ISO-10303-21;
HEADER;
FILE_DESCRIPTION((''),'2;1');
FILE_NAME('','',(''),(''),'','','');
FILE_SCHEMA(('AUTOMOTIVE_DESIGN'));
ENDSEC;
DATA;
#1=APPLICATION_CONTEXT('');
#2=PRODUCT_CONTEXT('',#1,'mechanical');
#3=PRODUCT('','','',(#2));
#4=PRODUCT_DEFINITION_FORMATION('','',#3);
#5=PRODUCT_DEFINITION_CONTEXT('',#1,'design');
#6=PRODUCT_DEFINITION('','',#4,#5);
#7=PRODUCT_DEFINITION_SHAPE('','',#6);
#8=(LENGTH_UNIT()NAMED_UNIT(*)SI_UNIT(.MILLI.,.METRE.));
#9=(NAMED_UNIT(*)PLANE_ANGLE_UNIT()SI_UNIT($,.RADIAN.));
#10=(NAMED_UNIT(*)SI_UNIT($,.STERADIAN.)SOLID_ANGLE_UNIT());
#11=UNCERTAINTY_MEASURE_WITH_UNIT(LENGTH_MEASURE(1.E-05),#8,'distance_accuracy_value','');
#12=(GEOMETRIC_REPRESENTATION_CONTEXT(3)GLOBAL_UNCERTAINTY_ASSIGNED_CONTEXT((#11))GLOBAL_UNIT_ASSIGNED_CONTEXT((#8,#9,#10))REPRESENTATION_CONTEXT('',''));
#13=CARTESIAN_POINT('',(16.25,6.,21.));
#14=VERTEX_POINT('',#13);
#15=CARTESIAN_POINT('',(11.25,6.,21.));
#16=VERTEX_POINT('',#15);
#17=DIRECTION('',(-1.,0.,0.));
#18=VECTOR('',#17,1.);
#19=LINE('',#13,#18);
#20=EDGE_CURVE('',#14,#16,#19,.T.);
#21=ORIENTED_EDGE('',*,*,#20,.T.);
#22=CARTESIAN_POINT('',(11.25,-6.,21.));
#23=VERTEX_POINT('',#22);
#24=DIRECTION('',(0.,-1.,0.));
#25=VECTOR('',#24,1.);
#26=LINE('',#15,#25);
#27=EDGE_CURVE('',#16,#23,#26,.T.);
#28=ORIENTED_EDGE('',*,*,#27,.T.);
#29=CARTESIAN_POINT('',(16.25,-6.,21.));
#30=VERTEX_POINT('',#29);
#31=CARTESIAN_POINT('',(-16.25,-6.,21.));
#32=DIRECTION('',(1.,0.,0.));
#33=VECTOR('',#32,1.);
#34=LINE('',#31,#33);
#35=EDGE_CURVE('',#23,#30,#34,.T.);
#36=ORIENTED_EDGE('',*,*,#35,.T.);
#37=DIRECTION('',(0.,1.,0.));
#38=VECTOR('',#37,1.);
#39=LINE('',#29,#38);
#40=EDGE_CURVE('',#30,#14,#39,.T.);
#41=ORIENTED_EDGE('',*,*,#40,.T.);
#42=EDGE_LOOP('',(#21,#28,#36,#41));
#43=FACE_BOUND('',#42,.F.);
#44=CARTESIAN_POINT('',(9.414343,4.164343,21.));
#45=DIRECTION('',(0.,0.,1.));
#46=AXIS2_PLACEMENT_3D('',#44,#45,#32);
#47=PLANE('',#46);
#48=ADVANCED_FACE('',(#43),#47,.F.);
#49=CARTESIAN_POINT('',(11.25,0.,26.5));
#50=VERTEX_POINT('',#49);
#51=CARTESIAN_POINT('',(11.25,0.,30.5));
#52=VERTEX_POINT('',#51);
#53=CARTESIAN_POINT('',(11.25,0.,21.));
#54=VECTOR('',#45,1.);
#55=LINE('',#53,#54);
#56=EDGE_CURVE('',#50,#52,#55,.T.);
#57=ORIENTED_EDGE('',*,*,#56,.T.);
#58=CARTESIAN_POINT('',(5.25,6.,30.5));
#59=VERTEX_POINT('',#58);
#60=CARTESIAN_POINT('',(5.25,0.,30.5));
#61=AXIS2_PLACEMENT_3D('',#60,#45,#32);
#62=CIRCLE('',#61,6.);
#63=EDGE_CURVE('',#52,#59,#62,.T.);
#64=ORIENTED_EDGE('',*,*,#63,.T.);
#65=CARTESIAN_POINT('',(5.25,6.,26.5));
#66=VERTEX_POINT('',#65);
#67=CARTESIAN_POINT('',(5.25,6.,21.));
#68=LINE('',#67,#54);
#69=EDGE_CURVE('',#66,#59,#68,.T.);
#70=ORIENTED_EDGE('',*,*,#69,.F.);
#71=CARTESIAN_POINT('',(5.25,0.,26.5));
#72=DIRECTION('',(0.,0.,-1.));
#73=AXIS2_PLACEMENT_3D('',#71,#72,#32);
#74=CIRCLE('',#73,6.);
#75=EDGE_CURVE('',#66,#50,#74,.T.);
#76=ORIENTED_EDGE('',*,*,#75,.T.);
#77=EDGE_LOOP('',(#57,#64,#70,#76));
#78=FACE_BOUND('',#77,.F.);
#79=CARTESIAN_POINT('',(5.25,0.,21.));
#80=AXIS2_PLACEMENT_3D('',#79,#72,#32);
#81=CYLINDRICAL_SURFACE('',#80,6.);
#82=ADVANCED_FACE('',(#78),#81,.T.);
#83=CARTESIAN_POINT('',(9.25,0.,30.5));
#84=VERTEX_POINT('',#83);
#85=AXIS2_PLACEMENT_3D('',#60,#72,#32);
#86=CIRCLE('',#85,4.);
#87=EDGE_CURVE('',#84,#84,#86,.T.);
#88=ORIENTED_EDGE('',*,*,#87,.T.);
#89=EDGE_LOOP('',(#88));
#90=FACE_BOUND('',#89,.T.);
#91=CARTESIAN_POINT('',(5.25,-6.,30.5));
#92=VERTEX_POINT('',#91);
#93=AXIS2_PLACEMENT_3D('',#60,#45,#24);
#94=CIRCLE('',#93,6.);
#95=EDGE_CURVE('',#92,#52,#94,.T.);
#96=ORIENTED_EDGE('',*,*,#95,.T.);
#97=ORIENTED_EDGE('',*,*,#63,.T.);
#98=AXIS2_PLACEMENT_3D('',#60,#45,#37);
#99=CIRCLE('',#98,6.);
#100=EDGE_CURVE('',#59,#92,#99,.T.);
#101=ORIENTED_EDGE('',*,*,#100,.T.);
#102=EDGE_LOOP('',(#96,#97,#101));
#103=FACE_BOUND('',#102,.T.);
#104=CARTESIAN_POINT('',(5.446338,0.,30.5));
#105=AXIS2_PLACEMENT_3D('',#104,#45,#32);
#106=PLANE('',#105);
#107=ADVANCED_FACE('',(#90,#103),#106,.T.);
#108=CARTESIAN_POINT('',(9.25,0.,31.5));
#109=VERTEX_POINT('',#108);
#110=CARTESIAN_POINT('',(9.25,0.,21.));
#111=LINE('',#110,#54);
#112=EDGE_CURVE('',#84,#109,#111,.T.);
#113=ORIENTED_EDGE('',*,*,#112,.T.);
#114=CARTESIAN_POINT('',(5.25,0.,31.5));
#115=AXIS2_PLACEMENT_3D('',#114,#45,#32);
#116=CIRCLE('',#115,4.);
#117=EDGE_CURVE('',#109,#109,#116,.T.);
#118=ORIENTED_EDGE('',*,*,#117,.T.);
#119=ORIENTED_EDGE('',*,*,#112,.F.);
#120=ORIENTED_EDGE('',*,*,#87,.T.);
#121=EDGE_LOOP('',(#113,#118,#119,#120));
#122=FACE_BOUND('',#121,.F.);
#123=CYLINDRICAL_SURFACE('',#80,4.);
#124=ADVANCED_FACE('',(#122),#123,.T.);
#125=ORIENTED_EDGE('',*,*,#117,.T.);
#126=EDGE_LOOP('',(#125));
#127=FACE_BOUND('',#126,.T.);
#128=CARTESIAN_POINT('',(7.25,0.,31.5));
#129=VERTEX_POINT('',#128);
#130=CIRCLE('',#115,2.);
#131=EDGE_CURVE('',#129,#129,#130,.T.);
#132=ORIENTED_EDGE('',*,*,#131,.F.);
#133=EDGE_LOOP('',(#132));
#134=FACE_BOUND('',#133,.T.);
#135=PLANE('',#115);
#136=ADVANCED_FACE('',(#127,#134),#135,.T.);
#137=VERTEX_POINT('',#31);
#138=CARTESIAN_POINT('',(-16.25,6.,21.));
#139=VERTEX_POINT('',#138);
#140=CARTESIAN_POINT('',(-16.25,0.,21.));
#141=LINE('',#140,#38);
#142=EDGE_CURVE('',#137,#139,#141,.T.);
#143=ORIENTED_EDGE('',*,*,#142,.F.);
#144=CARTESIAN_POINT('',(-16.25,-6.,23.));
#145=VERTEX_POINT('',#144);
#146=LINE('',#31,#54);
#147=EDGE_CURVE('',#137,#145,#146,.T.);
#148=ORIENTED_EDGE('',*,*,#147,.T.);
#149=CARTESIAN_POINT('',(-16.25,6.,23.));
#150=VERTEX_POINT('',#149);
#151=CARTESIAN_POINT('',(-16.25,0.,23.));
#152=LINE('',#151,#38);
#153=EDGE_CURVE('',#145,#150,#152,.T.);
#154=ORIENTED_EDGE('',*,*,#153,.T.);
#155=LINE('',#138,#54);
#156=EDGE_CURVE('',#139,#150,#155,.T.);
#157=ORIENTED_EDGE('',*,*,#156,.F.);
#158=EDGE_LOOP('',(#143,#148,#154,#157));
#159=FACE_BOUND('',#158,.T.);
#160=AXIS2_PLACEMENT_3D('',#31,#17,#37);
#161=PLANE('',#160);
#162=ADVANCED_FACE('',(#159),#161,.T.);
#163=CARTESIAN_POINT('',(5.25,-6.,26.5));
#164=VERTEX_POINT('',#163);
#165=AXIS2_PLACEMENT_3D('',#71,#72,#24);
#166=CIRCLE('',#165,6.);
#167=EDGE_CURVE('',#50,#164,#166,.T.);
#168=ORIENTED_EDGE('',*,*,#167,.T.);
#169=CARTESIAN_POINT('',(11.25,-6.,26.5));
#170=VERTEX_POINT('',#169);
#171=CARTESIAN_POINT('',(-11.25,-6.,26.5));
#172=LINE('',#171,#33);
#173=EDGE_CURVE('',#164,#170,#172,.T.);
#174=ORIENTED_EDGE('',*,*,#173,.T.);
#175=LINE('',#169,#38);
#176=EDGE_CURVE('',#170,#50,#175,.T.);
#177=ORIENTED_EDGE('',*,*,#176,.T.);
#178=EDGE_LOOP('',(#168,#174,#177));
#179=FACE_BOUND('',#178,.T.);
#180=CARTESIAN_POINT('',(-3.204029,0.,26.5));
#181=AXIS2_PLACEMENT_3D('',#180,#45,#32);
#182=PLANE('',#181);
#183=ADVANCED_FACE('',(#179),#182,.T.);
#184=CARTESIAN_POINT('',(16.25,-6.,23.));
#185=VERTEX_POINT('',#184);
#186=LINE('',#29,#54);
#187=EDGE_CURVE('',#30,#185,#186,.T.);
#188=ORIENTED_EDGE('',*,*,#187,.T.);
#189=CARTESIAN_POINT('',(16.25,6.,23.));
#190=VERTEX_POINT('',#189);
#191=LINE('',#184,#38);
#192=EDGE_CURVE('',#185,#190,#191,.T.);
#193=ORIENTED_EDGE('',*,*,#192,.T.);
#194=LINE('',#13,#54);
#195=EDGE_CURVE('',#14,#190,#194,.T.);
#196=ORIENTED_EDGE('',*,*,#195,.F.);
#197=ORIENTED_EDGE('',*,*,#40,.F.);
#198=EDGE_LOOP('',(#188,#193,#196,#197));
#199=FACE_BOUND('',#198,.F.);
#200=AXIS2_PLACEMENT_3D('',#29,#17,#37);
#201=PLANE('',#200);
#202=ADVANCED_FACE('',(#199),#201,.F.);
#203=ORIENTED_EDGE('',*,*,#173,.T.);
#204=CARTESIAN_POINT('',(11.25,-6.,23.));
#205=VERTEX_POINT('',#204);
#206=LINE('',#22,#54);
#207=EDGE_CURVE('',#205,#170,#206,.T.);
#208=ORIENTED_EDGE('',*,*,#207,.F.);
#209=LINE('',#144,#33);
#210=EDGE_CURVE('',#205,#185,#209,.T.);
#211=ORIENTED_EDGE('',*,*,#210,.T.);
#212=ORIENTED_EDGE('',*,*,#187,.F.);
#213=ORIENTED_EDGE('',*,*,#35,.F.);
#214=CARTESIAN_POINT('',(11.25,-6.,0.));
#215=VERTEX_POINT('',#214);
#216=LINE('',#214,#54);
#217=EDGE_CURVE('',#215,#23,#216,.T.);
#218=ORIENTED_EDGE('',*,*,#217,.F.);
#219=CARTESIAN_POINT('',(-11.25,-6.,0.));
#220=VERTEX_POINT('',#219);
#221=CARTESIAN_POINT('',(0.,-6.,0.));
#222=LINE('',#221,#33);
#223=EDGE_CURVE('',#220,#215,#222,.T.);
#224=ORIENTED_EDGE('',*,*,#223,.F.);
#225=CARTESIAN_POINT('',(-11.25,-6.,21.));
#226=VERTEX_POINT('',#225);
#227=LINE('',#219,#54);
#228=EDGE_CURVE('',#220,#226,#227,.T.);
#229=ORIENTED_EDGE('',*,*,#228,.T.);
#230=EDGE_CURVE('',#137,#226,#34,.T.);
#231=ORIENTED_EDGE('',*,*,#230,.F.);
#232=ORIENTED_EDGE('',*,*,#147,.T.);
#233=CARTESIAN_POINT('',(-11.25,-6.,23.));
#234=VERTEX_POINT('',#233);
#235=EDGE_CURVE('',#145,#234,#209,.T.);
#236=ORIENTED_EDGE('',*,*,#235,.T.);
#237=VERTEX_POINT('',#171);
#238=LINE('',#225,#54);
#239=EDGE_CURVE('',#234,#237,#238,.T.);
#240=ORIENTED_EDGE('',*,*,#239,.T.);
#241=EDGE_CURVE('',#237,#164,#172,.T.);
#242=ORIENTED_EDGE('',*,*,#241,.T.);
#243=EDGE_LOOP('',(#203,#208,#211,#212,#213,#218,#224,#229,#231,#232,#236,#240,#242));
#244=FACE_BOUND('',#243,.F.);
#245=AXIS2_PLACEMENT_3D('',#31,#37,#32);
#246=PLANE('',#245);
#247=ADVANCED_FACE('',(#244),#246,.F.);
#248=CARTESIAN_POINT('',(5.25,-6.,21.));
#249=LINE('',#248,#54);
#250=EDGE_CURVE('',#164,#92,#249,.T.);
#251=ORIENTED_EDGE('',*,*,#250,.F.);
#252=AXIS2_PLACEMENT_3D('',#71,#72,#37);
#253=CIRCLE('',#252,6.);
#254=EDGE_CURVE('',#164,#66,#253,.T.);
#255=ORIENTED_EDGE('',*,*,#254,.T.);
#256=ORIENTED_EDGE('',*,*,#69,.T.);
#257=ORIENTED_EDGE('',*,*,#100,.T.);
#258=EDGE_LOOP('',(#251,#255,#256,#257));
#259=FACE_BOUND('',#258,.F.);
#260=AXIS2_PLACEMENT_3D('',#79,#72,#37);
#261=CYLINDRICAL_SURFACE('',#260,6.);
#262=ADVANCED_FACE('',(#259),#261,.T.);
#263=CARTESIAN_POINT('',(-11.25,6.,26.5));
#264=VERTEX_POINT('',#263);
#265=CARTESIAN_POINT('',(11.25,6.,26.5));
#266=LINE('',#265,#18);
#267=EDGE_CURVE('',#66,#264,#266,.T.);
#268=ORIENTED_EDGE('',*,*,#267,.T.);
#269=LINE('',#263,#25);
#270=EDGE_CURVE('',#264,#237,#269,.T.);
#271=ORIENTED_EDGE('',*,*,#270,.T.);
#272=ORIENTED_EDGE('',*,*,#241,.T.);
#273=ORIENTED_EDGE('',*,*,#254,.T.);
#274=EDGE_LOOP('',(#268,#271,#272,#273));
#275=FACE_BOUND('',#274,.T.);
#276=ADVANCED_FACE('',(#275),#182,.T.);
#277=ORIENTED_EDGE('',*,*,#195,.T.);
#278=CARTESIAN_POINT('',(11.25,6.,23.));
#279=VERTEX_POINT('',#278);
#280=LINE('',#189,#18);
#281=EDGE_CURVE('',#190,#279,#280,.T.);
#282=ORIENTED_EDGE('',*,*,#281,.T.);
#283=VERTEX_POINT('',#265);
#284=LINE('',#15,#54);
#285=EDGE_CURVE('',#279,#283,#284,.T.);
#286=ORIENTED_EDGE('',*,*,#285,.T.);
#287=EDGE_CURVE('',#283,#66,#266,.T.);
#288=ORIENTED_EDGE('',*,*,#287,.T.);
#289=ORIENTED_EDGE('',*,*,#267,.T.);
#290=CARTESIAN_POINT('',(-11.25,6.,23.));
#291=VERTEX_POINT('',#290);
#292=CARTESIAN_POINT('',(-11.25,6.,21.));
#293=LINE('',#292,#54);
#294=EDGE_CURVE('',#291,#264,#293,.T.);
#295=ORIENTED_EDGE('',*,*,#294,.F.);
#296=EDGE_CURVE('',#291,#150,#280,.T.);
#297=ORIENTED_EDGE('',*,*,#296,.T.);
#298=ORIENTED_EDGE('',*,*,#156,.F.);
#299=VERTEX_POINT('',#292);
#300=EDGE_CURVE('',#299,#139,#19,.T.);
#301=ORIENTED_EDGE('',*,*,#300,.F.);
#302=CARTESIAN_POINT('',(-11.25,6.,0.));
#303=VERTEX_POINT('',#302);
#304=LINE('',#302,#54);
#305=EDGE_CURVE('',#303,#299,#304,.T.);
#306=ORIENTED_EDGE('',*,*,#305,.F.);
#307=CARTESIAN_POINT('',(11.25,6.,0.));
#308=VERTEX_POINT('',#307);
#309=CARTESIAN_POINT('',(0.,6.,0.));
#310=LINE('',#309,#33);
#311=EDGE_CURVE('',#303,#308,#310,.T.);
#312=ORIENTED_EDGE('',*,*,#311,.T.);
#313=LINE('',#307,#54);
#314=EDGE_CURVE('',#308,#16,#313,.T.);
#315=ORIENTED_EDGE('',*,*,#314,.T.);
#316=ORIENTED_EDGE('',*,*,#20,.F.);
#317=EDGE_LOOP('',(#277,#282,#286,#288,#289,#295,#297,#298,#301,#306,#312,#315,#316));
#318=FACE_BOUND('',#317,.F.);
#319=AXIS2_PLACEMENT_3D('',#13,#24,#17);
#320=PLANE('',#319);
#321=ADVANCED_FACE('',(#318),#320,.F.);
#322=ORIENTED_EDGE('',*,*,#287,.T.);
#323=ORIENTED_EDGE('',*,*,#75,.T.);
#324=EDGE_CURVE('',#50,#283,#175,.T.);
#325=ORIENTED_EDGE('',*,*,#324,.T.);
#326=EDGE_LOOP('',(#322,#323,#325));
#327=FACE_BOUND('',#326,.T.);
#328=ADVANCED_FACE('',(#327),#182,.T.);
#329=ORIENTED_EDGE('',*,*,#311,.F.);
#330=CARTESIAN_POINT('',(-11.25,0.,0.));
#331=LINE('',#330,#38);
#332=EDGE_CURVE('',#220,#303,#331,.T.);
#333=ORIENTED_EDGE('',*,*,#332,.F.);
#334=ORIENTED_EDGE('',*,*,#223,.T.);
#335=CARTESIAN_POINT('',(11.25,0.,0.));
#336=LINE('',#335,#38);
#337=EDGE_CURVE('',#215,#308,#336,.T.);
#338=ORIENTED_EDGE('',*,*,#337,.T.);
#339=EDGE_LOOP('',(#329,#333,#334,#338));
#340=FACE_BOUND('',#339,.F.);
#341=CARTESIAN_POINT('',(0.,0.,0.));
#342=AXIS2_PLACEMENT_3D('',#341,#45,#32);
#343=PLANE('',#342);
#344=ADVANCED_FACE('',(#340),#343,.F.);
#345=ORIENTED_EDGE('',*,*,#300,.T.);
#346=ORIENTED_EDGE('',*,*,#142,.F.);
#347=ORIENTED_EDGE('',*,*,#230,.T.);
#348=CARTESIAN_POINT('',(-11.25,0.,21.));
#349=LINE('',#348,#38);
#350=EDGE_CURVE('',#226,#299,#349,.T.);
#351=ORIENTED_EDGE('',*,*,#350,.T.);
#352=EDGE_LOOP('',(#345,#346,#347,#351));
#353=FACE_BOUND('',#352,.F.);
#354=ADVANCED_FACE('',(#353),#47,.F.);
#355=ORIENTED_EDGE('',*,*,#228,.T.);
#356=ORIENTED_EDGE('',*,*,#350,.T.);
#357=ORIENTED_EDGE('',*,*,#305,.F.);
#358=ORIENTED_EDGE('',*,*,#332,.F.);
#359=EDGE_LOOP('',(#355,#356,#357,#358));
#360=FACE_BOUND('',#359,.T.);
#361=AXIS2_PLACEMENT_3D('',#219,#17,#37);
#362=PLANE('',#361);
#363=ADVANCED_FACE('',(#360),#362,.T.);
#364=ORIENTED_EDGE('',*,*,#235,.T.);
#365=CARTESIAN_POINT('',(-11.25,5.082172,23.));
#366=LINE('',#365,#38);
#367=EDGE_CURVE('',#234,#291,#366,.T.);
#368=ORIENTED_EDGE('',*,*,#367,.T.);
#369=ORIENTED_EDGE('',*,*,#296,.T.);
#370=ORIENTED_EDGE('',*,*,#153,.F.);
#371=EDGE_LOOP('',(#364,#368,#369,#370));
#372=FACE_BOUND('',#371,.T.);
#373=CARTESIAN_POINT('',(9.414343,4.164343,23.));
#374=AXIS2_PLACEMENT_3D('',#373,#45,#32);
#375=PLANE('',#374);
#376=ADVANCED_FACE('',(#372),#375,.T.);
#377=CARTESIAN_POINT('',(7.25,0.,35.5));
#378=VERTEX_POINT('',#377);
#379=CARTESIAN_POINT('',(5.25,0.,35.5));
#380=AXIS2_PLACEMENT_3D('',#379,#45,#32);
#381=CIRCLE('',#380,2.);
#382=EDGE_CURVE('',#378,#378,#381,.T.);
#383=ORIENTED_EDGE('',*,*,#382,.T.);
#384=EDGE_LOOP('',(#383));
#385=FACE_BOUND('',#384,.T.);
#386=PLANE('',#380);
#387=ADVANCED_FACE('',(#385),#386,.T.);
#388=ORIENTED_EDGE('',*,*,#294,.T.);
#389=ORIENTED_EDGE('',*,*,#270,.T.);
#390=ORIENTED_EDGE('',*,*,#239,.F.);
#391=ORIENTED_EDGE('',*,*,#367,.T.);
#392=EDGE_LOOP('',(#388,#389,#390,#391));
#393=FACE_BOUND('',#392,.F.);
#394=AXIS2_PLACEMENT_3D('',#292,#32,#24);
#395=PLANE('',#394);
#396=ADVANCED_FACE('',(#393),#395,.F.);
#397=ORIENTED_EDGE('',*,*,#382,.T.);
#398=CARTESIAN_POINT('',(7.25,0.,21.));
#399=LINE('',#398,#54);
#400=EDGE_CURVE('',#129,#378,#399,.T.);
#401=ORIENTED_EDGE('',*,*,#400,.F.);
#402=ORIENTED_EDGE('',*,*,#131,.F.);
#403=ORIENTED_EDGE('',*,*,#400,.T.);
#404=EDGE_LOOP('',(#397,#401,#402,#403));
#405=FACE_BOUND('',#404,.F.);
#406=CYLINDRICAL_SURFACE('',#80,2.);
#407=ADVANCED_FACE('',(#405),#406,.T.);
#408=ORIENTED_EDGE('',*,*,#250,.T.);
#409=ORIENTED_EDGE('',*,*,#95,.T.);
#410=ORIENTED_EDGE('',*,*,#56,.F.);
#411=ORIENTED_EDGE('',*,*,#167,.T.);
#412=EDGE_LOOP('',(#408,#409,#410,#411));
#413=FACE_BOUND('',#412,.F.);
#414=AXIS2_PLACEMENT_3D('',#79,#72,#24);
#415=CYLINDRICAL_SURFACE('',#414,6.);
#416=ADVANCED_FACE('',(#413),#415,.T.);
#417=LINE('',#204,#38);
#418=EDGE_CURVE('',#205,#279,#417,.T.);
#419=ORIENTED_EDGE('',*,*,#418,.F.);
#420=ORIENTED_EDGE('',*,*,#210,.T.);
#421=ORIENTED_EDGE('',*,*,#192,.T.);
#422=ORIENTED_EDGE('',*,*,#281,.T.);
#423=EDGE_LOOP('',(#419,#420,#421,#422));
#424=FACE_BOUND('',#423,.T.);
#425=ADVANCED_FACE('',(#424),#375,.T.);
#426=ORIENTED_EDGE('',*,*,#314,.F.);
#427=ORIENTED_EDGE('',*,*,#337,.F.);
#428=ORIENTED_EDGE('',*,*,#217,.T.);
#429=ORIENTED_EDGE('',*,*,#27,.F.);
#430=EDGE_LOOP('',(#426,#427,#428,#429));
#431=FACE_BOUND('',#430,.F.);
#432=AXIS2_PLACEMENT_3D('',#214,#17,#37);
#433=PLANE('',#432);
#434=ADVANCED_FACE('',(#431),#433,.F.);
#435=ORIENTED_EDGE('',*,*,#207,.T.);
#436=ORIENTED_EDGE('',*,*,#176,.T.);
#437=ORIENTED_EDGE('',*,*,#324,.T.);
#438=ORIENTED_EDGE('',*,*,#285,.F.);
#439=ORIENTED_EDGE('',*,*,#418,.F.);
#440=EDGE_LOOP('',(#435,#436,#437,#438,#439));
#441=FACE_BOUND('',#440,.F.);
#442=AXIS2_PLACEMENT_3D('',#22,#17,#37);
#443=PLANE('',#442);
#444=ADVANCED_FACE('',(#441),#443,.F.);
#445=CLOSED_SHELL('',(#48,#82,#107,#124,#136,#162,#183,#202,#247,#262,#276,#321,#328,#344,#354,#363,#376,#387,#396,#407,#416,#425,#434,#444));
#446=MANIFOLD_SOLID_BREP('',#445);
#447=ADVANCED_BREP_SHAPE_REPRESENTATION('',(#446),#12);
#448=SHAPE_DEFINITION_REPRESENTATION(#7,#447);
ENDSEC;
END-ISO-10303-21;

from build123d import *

# Parameters (mm, degrees)
F0_W     = 22.5
F0_H     = 12
F1_DEPTH = 21
F2_W     = 5
F2_H     = 12
F2_R     = 4
F2_R_2   = 2
F3_DEPTH = 2
F4_DEPTH = 5.5
F5_DEPTH = 9.5
F6_DEPTH = 10.5
F7_DEPTH = 14.5


with BuildPart() as f1:
    # F0 (on Top) → F1 (new body)
    with BuildSketch(Plane.XY):
        Rectangle(F0_W, F0_H)
    extrude(amount=F1_DEPTH)

    # F2 (on face) → F3 (join)
    with BuildSketch(Plane.XY.offset(21)):
        with BuildLine():
            Line((11.25, 6), (5.25, 6))
            ThreePointArc((5.25, 6), (9.4926406871, 4.2426406871), (11.25, 0))
            Line((11.25, 0), (11.25, 6))
        make_face()
        with Locations((-13.75, 0)):
            Rectangle(F2_W, F2_H)
        Polygon((16.25, 6), (11.25, 6), (11.25, 0), (11.25, -6), (16.25, -6), align=None)
        with BuildLine():
            Line((11.25, -6), (11.25, 0))
            ThreePointArc((11.25, 0), (9.4926406871, -4.2426406871), (5.25, -6))
            Line((5.25, -6), (11.25, -6))
        make_face()
        with BuildLine():
            ThreePointArc((11.25, 0), (9.4926406871, 4.2426406871), (5.25, 6))
            ThreePointArc((5.25, 6), (-0.75, 0), (5.25, -6))
            ThreePointArc((5.25, -6), (9.4926406871, -4.2426406871), (11.25, 0))
        make_face()
        with Locations((5.25, 0)):
            Circle(F2_R, mode=Mode.SUBTRACT)
        with Locations((5.25, 0)):
            Circle(F2_R)
        with Locations((5.25, 0)):
            Circle(F2_R_2, mode=Mode.SUBTRACT)
        with BuildLine():
            Line((5.25, 6), (-11.25, 6))
            Line((-11.25, 6), (-11.25, -6))
            Line((-11.25, -6), (5.25, -6))
            ThreePointArc((5.25, -6), (-0.75, 0), (5.25, 6))
        make_face()
    extrude(amount=F3_DEPTH)

    # F2 (on face) → F4 (join)
    with BuildSketch(Plane.XY.offset(21)):
        with BuildLine():
            Line((5.25, 6), (-11.25, 6))
            Line((-11.25, 6), (-11.25, -6))
            Line((-11.25, -6), (5.25, -6))
            ThreePointArc((5.25, -6), (-0.75, 0), (5.25, 6))
        make_face()
        with BuildLine():
            ThreePointArc((11.25, 0), (9.4926406871, 4.2426406871), (5.25, 6))
            ThreePointArc((5.25, 6), (-0.75, 0), (5.25, -6))
            ThreePointArc((5.25, -6), (9.4926406871, -4.2426406871), (11.25, 0))
        make_face()
        with Locations((5.25, 0)):
            Circle(F2_R, mode=Mode.SUBTRACT)
        with Locations((5.25, 0)):
            Circle(F2_R)
        with Locations((5.25, 0)):
            Circle(F2_R_2, mode=Mode.SUBTRACT)
        with BuildLine():
            Line((11.25, -6), (11.25, 0))
            ThreePointArc((11.25, 0), (9.4926406871, -4.2426406871), (5.25, -6))
            Line((5.25, -6), (11.25, -6))
        make_face()
        with BuildLine():
            Line((11.25, 6), (5.25, 6))
            ThreePointArc((5.25, 6), (9.4926406871, 4.2426406871), (11.25, 0))
            Line((11.25, 0), (11.25, 6))
        make_face()
    extrude(amount=F4_DEPTH)

    # F2 (on face) → F5 (join)
    with BuildSketch(Plane.XY.offset(21)):
        with BuildLine():
            ThreePointArc((11.25, 0), (9.4926406871, 4.2426406871), (5.25, 6))
            ThreePointArc((5.25, 6), (-0.75, 0), (5.25, -6))
            ThreePointArc((5.25, -6), (9.4926406871, -4.2426406871), (11.25, 0))
        make_face()
        with Locations((5.25, 0)):
            Circle(F2_R, mode=Mode.SUBTRACT)
        with Locations((5.25, 0)):
            Circle(F2_R)
        with Locations((5.25, 0)):
            Circle(F2_R_2, mode=Mode.SUBTRACT)
    extrude(amount=F5_DEPTH)

    # F2 (on face) → F6 (join)
    with BuildSketch(Plane.XY.offset(21)):
        with Locations((5.25, 0)):
            Circle(F2_R)
        with Locations((5.25, 0)):
            Circle(F2_R_2, mode=Mode.SUBTRACT)
    extrude(amount=F6_DEPTH)

    # F2 (on face) → F7 (join)
    with BuildSketch(Plane.XY.offset(21)):
        with Locations((5.25, 0)):
            Circle(F2_R_2)
    extrude(amount=F7_DEPTH)


solid = f1.part
